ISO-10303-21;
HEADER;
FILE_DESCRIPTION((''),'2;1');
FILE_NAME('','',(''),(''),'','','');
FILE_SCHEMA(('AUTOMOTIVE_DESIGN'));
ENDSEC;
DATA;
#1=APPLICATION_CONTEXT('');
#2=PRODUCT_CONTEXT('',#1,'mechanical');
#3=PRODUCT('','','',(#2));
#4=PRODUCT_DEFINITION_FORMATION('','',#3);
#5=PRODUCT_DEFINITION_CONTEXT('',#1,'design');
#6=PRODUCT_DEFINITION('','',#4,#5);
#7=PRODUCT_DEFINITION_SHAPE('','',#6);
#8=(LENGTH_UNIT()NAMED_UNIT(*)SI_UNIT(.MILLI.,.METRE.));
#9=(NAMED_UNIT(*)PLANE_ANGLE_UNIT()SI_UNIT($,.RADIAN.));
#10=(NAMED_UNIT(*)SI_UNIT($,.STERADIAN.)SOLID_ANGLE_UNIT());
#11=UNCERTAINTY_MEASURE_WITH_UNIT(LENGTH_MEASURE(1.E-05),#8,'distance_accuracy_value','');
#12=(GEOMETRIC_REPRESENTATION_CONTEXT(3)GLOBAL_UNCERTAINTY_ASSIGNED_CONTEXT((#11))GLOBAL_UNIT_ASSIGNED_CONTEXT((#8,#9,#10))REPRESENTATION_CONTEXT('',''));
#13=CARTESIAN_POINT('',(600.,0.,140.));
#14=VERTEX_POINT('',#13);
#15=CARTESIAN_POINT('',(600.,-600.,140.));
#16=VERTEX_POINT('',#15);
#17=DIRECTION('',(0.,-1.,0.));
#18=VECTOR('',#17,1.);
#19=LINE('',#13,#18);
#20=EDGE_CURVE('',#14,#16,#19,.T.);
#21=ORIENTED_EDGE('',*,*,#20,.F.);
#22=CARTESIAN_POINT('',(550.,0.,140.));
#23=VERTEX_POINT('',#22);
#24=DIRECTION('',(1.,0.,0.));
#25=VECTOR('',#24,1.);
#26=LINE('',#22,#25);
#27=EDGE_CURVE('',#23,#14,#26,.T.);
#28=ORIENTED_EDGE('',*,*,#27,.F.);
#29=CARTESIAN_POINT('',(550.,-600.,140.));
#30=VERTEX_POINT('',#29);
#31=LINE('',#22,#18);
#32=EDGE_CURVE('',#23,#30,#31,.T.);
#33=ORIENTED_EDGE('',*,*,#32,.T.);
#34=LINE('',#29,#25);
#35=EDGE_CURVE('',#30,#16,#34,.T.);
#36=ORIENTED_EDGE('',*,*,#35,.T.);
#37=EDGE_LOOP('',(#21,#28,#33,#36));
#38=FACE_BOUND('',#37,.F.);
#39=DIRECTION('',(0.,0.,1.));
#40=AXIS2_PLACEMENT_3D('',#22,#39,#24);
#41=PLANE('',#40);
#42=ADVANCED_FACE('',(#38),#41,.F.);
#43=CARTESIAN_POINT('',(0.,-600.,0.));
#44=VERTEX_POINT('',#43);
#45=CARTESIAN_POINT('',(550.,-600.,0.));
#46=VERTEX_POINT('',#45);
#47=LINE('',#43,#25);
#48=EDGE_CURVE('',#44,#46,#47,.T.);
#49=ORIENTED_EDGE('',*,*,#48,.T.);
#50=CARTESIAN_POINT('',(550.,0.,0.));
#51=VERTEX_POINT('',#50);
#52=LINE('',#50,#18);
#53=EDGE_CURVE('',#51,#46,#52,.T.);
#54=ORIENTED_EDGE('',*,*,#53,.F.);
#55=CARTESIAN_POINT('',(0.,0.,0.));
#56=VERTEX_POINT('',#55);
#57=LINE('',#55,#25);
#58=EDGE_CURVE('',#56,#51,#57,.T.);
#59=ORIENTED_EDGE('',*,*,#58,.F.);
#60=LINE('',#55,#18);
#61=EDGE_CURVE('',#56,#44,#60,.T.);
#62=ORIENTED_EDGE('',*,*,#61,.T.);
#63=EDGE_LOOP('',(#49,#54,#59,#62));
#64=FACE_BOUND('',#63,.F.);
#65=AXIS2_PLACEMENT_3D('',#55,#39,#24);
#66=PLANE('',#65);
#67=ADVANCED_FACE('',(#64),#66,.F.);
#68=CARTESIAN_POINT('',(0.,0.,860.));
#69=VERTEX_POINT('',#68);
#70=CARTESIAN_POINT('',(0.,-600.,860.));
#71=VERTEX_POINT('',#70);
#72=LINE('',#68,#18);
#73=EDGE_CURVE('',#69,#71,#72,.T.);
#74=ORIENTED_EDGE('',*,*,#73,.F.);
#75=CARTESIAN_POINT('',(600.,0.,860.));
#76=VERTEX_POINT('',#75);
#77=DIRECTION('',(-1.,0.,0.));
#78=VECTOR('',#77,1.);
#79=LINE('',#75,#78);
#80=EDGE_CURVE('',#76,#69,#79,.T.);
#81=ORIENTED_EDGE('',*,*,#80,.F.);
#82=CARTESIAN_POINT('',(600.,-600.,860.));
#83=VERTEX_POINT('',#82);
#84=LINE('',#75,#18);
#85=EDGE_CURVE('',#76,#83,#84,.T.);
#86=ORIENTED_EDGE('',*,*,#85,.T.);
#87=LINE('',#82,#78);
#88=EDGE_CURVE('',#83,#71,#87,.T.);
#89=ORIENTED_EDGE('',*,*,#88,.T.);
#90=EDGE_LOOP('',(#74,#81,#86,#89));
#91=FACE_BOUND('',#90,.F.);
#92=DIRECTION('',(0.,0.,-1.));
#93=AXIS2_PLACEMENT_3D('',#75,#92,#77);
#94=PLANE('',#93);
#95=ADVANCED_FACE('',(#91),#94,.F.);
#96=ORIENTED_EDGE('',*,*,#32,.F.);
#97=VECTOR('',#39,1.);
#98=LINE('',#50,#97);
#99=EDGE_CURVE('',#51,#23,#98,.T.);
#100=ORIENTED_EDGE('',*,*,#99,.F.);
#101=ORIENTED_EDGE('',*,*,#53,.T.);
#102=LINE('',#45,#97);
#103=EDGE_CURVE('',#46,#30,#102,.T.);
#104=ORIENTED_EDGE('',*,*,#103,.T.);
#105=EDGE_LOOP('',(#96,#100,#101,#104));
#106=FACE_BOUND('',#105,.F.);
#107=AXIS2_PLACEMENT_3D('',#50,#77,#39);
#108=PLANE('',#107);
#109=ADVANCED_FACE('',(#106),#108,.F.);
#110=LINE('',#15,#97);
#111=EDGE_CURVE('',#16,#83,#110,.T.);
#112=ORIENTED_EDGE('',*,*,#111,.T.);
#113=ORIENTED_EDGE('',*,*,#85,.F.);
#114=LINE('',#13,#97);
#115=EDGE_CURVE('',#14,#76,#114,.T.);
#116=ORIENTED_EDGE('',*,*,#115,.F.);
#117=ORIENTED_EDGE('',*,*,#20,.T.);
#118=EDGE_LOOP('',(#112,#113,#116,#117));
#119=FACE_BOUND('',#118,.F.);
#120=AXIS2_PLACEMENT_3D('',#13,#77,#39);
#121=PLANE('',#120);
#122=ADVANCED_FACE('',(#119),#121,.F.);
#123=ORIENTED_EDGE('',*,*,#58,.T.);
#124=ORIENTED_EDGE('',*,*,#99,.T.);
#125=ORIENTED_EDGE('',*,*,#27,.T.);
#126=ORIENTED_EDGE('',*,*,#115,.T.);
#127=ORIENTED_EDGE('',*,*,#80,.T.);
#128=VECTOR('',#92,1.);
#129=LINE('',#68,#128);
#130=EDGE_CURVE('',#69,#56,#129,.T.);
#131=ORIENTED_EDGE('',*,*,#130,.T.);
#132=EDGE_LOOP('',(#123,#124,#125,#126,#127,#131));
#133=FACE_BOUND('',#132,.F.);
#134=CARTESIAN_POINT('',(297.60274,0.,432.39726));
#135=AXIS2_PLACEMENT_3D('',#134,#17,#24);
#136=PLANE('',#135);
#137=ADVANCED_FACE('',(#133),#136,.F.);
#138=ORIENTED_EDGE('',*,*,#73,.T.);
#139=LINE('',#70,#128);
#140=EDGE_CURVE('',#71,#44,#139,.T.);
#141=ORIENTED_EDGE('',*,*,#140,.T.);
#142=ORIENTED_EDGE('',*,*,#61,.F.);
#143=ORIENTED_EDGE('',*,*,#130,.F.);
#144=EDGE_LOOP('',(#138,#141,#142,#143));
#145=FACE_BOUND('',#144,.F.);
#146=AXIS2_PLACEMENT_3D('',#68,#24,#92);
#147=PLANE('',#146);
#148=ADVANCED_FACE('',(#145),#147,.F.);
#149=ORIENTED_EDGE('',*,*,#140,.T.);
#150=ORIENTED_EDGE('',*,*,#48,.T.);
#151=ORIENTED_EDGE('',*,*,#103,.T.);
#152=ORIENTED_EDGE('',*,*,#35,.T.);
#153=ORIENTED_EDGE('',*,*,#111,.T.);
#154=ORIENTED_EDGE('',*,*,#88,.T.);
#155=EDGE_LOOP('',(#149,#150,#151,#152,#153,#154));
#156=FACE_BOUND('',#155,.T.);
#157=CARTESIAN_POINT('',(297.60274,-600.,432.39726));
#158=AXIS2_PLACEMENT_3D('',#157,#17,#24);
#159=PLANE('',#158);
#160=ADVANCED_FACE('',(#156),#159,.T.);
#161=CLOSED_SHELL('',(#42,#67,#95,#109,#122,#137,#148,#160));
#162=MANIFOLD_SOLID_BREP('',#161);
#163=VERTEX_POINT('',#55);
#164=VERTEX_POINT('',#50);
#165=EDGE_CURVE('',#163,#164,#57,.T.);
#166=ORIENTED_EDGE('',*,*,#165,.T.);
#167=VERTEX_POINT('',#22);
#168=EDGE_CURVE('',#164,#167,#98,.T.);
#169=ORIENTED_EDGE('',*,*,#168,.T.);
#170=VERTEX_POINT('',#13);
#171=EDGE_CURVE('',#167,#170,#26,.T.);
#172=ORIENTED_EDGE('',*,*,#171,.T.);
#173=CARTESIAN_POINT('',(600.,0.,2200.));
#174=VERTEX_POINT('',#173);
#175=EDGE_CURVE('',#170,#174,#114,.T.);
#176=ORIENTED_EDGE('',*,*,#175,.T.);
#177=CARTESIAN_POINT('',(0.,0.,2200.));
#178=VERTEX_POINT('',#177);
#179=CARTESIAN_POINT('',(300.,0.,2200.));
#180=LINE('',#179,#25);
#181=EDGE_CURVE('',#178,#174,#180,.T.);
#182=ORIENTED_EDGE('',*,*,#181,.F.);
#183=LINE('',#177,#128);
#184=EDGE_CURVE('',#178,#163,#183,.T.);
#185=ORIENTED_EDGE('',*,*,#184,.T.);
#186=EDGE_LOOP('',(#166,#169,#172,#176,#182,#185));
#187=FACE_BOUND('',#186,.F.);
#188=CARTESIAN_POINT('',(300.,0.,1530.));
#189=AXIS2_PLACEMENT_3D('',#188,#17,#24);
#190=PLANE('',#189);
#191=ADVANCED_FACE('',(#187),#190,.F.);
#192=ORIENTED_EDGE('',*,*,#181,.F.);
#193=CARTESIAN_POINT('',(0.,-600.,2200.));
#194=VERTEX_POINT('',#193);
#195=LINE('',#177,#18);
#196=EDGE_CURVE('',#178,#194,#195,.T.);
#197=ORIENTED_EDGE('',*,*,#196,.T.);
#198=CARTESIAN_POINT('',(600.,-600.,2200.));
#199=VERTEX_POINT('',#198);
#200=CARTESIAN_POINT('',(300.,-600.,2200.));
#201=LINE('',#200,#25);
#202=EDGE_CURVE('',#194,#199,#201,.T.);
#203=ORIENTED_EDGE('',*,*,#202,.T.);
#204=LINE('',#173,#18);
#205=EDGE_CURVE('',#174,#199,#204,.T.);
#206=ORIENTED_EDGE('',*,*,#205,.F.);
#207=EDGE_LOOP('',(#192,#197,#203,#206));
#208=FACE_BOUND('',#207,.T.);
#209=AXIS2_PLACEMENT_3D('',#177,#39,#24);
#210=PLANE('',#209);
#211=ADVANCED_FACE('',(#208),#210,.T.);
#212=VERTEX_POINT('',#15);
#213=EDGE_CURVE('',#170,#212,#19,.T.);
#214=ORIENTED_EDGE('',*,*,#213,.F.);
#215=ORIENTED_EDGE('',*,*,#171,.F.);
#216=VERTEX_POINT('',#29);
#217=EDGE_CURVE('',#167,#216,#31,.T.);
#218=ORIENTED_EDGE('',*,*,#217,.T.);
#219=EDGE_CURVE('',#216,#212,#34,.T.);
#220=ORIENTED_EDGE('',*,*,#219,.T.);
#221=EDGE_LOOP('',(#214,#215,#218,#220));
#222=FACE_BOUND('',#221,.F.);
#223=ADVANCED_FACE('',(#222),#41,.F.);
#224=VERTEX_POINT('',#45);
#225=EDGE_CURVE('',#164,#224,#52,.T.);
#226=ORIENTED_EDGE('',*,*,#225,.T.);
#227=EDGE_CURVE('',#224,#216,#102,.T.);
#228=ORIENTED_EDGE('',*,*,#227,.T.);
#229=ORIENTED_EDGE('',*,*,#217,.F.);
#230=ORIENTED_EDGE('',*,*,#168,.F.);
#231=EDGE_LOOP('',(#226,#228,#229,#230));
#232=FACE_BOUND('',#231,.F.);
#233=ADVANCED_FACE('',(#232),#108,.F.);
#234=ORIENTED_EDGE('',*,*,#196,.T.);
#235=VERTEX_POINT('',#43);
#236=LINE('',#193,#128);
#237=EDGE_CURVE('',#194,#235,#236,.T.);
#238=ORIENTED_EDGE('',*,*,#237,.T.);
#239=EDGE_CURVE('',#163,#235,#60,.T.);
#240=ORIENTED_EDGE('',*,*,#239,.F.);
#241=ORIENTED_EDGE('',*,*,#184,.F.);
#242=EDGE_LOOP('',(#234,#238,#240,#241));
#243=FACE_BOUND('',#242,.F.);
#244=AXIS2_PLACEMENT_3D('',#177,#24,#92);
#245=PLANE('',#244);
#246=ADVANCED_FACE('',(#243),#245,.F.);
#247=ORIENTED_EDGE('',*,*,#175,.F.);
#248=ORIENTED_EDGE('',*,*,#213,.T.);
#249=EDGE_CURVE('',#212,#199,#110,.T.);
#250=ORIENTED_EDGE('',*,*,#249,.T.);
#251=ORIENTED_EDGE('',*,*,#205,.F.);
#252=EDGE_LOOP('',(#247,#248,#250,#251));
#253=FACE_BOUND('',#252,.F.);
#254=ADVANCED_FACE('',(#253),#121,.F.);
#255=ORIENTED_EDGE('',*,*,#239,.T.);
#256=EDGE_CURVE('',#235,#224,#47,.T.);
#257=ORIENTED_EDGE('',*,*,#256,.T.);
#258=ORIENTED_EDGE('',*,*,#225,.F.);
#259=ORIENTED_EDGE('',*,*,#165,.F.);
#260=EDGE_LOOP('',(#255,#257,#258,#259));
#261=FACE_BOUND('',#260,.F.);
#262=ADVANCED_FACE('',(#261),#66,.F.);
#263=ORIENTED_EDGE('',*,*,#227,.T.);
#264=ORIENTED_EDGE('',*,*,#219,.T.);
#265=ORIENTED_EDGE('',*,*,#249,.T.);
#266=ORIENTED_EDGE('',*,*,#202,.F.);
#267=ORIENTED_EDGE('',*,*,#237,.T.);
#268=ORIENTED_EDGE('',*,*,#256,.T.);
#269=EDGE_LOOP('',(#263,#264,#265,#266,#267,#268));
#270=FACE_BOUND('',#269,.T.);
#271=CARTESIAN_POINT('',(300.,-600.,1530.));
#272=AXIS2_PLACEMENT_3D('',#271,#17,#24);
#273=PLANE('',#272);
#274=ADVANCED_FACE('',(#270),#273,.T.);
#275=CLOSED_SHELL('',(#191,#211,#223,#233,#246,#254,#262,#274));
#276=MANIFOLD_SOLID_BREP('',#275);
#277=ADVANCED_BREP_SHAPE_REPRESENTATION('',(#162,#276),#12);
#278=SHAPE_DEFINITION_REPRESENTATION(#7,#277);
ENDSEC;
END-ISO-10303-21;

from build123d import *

# Parameters (mm, degrees)
F1_DEPTH = 600
F0_W     = 600
F0_H     = 1340
F2_DEPTH = 600


with BuildPart() as f1:
    # F0 (on Front) → F1 (new body)
    with BuildSketch(Plane.XZ):
        Polygon((0, 860), (0, 0), (550, 0), (550, 140), (600, 140), (600, 860), align=None)
    extrude(amount=F1_DEPTH)


with BuildPart() as f2:
    # F0 (on Front) → F2 (new body)
    with BuildSketch(Plane.XZ):
        with Locations((300, 1530)):
            Rectangle(F0_W, F0_H)
        Polygon((0, 860), (0, 0), (550, 0), (550, 140), (600, 140), (600, 860), align=None)
    extrude(amount=F2_DEPTH)


solid = Compound([f1.part, f2.part])
